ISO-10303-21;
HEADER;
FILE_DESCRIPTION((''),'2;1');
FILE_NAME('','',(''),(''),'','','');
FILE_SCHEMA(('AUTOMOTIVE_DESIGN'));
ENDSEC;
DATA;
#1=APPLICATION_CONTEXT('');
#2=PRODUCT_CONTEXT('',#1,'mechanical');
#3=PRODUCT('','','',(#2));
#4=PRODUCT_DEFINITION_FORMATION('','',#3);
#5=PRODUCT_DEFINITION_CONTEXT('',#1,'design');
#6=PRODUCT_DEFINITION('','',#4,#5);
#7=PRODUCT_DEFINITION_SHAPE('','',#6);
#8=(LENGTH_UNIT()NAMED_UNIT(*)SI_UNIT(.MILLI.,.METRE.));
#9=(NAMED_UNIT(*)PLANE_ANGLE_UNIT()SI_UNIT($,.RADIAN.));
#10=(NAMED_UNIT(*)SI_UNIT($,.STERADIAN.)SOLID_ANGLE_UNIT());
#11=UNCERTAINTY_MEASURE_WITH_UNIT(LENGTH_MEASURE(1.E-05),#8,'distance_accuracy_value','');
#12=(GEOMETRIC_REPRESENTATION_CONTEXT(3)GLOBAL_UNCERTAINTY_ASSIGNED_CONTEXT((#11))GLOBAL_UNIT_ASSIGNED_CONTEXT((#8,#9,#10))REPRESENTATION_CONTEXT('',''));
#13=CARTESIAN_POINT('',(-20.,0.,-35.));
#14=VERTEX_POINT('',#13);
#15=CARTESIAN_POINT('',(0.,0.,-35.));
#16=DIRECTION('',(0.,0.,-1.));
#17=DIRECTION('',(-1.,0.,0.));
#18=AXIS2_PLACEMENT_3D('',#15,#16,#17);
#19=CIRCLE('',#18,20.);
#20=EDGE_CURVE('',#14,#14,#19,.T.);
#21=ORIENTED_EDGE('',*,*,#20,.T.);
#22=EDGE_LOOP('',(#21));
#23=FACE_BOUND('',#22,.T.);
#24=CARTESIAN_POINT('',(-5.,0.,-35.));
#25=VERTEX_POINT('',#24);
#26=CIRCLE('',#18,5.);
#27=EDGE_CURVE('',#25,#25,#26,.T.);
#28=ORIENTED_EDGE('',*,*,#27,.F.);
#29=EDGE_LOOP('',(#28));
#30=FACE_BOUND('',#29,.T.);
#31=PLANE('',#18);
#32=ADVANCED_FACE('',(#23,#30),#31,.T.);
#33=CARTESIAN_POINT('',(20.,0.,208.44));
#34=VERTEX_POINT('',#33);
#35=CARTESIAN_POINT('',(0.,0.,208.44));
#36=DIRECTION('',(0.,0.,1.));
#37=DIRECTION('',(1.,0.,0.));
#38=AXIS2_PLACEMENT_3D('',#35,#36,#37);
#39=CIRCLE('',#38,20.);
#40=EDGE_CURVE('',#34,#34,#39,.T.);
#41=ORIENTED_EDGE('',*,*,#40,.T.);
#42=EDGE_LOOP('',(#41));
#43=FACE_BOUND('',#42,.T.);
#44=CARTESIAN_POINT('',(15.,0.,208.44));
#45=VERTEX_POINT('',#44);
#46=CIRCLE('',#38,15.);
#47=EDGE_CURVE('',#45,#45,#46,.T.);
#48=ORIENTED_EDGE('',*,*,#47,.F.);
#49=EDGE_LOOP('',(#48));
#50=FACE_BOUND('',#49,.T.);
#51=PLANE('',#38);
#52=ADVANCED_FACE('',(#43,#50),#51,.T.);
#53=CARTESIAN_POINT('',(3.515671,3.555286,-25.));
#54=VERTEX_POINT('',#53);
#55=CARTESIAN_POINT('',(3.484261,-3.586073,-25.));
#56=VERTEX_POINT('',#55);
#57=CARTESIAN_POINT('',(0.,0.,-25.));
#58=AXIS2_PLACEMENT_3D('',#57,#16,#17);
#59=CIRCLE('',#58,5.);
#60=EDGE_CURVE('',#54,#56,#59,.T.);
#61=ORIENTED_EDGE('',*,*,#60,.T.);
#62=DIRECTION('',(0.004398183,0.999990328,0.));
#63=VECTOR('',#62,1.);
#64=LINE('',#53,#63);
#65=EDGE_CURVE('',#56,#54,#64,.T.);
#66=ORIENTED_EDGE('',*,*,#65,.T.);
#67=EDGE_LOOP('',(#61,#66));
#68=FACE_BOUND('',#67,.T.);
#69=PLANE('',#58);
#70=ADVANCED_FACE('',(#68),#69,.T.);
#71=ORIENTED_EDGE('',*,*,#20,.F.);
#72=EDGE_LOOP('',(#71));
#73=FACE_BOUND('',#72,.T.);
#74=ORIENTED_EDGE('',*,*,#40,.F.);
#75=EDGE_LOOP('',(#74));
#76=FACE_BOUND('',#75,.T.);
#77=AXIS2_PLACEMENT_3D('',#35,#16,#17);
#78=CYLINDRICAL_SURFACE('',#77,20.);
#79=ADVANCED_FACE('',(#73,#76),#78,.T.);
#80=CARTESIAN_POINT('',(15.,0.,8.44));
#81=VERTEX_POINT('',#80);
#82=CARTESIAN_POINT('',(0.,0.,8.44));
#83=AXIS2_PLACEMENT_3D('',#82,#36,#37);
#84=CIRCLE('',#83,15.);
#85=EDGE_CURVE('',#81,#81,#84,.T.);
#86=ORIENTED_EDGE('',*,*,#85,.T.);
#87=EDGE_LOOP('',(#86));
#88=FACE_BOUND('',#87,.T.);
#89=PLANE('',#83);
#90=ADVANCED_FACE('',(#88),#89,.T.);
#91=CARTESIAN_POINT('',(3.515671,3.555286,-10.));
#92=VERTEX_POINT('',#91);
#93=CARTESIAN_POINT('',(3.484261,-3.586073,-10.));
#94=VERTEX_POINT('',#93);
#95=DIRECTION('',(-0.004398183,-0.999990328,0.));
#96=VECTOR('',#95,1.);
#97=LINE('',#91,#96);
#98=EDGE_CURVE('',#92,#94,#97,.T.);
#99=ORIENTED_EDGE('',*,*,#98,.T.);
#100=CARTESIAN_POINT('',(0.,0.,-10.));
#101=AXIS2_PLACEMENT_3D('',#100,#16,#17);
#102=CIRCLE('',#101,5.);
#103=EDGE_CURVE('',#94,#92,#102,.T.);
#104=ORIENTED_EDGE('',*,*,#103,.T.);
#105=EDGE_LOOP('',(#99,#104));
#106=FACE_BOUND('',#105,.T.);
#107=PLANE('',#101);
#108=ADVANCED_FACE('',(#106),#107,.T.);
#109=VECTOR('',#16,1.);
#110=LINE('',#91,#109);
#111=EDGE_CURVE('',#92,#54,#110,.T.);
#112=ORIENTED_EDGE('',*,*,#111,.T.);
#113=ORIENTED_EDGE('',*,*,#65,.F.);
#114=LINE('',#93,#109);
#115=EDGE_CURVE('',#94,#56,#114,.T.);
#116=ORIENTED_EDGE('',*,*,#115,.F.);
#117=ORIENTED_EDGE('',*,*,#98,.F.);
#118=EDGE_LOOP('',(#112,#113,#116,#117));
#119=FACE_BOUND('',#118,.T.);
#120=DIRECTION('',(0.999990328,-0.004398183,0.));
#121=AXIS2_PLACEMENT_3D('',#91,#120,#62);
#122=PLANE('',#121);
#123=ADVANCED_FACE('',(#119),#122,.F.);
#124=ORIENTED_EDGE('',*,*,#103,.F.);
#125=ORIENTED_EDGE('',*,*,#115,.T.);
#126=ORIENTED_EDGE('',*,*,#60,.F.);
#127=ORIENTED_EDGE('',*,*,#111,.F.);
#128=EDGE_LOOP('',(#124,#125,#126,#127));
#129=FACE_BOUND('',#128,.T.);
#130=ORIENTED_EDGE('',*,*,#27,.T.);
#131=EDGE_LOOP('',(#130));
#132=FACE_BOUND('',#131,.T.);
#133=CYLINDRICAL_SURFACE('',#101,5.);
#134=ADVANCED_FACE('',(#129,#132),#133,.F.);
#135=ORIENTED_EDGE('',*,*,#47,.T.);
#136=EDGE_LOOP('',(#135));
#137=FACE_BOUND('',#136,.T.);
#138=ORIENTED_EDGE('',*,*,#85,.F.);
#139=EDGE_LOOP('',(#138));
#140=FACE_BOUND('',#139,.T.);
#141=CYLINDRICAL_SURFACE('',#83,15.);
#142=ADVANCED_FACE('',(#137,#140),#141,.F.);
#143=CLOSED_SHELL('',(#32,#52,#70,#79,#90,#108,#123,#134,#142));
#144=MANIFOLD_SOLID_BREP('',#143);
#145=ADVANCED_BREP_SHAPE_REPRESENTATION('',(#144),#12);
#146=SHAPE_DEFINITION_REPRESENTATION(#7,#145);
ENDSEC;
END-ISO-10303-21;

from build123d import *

# Parameters (mm, degrees)
SKETCH_1_R          = 20
EXTRUDE_1_DEPTH     = 208.44
EXTRUDE_START       = 35
SKETCH_3_R          = 20
EXTRUDE_2_DEPTH     = 35
CUT_EXTRUDE_1_DEPTH = 25
SKETCH_5_R          = 5
CUT_EXTRUDE_2_DEPTH = 10
SKETCH_6_R          = 15
CUT_EXTRUDE_3_DEPTH = 200


with BuildPart() as part:
    # 스케치1 → 보스-돌출1 (new body)
    with BuildSketch(Plane.XY):
        Circle(SKETCH_1_R)
    extrude(amount=EXTRUDE_1_DEPTH)

    # 스케치3 → 보스-돌출2 (add)
    with BuildSketch(Plane(origin=(0, 0, 0), x_dir=(-1, 0, 0), z_dir=(0, 0, -1)).offset(EXTRUDE_START)):
        Circle(SKETCH_3_R)
    extrude(amount=-EXTRUDE_2_DEPTH)

    # 스케치4 → 컷-돌출1 (cut)
    with BuildSketch(Plane(origin=(0, 0, -35), x_dir=(-1, 0, 0), z_dir=(0, 0, -1))):
        with BuildLine():
            Line((-3.515670801, 3.555286039), (-3.484261495, -3.586073317))
            ThreePointArc((-3.484261495, -3.586073317), (4.99995164, 0.021990913), (-3.515670801, 3.555286039))
        make_face()
    extrude(amount=-CUT_EXTRUDE_1_DEPTH, mode=Mode.SUBTRACT)

    # 스케치5 → 컷-돌출2 (cut)
    with BuildSketch(Plane(origin=(0, 0, -35), x_dir=(-1, 0, 0), z_dir=(0, 0, -1))):
        Circle(SKETCH_5_R)
    extrude(amount=-CUT_EXTRUDE_2_DEPTH, mode=Mode.SUBTRACT)

    # 스케치6 → 컷-돌출3 (cut)
    with BuildSketch(Plane.XY.offset(208.44)):
        Circle(SKETCH_6_R)
    extrude(amount=-CUT_EXTRUDE_3_DEPTH, mode=Mode.SUBTRACT)


solid = part.part
